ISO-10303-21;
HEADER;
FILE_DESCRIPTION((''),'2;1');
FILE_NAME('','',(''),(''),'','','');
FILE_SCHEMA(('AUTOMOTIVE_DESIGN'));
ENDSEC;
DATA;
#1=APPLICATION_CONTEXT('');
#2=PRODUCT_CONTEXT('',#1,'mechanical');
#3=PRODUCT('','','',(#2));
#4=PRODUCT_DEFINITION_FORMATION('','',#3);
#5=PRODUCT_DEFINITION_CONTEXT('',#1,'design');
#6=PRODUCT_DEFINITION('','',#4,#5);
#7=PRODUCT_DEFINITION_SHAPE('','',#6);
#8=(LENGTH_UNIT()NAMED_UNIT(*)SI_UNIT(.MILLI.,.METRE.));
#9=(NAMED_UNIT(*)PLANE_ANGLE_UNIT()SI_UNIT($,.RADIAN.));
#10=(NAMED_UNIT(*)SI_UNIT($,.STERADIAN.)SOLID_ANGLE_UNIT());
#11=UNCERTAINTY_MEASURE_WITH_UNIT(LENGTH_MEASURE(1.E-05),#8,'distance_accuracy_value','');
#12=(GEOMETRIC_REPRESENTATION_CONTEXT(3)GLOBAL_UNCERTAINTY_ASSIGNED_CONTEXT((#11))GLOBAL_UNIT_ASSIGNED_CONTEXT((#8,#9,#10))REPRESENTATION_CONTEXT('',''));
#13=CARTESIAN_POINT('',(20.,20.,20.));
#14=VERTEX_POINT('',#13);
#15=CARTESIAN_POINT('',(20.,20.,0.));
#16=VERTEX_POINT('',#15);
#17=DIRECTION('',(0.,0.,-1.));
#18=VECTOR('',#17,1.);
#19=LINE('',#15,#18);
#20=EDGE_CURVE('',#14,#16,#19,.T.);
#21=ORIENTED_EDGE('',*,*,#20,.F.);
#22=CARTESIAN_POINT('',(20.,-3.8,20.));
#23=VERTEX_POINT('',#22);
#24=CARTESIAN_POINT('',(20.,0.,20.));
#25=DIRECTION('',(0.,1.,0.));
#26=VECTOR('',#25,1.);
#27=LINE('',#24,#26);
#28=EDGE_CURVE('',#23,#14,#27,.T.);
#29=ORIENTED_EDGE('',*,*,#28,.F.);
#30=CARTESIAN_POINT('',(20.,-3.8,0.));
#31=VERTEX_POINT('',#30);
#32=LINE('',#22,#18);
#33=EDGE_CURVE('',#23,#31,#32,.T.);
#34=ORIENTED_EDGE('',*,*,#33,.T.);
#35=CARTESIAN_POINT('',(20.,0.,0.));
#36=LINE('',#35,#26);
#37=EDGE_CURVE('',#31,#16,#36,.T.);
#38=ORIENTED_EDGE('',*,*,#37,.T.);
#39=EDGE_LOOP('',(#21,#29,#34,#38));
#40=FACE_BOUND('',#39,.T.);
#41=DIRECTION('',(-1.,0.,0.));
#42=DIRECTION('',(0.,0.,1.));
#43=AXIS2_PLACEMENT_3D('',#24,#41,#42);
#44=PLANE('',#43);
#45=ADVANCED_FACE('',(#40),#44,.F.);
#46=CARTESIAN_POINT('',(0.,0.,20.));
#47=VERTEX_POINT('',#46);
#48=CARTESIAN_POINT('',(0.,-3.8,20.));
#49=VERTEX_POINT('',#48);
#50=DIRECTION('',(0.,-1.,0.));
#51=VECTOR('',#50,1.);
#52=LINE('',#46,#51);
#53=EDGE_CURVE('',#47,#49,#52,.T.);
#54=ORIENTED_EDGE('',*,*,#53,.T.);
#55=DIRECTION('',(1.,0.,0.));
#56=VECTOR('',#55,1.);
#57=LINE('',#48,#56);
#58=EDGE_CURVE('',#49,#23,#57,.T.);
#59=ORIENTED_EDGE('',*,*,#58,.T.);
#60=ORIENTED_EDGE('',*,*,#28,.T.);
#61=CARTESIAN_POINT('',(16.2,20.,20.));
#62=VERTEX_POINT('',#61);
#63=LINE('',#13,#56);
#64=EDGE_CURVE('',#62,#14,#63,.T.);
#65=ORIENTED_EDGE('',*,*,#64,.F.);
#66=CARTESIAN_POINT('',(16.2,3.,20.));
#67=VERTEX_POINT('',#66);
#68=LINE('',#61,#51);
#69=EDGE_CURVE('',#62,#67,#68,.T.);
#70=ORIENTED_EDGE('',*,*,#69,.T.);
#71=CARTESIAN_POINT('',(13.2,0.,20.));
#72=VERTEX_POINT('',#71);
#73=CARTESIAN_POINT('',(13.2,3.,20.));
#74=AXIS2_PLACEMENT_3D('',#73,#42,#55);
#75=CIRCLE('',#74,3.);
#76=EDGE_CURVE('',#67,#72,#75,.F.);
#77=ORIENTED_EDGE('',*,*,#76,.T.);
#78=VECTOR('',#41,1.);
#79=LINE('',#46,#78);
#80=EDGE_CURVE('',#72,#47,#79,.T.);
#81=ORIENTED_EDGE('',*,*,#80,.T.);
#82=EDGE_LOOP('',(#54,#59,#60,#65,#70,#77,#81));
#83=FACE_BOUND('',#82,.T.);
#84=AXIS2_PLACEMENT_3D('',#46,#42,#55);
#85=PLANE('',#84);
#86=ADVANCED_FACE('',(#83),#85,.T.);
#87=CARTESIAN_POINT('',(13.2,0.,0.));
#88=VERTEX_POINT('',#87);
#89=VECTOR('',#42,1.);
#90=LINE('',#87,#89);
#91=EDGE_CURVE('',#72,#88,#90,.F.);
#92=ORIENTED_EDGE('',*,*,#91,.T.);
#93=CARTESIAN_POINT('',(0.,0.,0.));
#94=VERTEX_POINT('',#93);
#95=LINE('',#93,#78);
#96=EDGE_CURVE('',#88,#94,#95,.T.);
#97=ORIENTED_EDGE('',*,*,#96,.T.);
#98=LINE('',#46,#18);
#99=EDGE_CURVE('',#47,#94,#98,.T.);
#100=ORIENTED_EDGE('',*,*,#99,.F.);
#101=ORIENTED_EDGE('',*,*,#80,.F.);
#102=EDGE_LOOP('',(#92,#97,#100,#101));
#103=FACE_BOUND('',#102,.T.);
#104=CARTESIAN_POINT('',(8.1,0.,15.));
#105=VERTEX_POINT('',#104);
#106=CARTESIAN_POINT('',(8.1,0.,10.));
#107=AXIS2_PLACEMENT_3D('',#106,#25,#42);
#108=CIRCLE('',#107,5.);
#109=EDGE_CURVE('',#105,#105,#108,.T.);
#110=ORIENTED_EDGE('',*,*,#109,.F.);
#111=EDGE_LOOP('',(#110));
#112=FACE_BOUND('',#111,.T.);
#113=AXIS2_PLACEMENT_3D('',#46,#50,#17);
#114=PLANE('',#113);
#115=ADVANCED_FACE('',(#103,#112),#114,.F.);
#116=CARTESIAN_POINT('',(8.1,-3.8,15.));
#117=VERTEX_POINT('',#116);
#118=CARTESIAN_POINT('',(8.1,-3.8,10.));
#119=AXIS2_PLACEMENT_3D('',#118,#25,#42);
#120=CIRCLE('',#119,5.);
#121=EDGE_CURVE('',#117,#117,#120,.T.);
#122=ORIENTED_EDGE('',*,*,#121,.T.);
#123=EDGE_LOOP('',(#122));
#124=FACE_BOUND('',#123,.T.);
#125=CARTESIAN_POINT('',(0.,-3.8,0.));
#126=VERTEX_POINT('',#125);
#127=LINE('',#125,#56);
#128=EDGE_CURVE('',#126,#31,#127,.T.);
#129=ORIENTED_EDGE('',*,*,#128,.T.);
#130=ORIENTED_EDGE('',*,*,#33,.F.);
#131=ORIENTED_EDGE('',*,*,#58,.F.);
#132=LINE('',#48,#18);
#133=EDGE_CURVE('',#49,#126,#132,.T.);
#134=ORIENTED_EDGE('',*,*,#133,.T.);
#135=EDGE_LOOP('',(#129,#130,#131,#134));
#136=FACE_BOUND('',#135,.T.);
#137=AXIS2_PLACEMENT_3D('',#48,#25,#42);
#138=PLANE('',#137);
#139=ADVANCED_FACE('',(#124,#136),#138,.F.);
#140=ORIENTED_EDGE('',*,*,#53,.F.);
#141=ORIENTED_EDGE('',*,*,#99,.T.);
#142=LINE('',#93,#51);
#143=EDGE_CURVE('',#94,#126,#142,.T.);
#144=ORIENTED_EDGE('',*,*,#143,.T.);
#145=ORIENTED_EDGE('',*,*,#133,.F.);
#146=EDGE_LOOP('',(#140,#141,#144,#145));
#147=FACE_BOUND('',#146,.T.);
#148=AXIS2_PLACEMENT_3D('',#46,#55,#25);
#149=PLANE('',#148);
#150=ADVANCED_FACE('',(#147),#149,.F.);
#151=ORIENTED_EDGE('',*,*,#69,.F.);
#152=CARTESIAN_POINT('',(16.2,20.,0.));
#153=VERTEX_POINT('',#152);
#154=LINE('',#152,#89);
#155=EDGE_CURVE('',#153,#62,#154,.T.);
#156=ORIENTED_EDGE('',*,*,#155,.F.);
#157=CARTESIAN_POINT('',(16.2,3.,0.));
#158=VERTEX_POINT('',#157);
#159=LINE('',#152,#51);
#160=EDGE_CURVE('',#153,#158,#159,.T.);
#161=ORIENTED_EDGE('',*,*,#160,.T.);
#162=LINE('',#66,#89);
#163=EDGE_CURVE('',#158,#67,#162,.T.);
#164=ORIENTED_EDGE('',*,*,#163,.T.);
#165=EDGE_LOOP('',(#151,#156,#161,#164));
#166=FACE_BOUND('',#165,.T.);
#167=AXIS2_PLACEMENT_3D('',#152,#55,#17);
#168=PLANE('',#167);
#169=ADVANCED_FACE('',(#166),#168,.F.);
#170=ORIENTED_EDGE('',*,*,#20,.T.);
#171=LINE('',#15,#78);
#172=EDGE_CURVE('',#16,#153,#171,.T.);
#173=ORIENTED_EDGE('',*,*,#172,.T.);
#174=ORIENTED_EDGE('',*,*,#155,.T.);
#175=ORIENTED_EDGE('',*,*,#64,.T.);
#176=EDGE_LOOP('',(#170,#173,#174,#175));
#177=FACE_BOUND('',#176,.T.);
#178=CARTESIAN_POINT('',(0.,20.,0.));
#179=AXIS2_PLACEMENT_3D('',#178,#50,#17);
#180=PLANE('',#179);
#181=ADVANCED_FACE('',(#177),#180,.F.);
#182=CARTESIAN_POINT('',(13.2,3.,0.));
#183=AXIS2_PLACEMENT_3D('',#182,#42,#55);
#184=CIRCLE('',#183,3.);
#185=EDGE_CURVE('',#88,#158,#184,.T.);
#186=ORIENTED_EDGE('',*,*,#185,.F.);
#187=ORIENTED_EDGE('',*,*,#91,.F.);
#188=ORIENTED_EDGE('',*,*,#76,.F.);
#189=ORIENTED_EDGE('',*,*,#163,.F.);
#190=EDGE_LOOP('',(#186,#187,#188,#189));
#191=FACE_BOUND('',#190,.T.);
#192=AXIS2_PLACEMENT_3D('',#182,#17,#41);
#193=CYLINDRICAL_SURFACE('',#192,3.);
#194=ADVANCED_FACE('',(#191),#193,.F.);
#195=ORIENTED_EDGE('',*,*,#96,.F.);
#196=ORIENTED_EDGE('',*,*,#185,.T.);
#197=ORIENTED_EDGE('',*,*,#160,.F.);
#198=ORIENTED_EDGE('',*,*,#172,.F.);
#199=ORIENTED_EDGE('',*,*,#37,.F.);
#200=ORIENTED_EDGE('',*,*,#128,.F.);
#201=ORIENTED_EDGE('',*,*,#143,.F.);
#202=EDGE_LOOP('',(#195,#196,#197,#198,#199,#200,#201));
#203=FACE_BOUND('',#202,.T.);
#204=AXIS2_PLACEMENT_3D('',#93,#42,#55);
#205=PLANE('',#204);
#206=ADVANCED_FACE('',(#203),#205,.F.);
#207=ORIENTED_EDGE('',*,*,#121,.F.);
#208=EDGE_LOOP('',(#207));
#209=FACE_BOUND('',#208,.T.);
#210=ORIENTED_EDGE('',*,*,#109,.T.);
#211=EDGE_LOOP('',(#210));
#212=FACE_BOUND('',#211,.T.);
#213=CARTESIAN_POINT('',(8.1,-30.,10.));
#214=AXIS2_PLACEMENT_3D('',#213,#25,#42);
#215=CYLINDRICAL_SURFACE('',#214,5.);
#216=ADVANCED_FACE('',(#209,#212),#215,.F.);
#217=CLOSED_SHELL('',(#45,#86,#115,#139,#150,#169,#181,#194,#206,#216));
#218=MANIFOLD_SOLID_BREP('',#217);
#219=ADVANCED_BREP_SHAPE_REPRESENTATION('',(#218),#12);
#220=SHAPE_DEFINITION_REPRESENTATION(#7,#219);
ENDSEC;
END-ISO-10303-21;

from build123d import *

# Parameters (mm, degrees)
SKETCH1_W           = 20
SKETCH1_H           = 3.8
BOSS_EXTRUDE1_DEPTH = 20
SKETCH2_W           = 3.8
SKETCH2_H           = 20
BOSS_EXTRUDE2_DEPTH = 20
SKETCH3_R           = 5
CUT_EXTRUDE1_DEPTH  = 30
FILLET1_R           = 3


with BuildPart() as part:
    # Sketch1 → Boss-Extrude1 (new body)
    with BuildSketch(Plane.XY):
        with Locations((10, -1.9)):
            Rectangle(SKETCH1_W, SKETCH1_H)
    extrude(amount=BOSS_EXTRUDE1_DEPTH)

    # Sketch2 → Boss-Extrude2 (add)
    with BuildSketch(Plane(origin=(0, 0, 0), x_dir=(1, 0, 0), z_dir=(0, 1, 0))):
        with Locations((18.1, -10)):
            Rectangle(SKETCH2_W, SKETCH2_H)
    extrude(amount=BOSS_EXTRUDE2_DEPTH)

    # Sketch3 → Cut-Extrude1 (cut)
    with BuildSketch(Plane(origin=(0, 0, 0), x_dir=(1, 0, 0), z_dir=(0, 1, 0))):
        with Locations(Location((8.1, -10, 0), (0, 0, 270))):
            Circle(SKETCH3_R)
    extrude(amount=-CUT_EXTRUDE1_DEPTH, mode=Mode.SUBTRACT)

    # Fillet1
    fillet1_edges = [part.edges().sort_by_distance(p)[0] for p in [
        (16.2, 0, 10),
    ]]
    fillet(fillet1_edges, radius=FILLET1_R)


solid = part.part
